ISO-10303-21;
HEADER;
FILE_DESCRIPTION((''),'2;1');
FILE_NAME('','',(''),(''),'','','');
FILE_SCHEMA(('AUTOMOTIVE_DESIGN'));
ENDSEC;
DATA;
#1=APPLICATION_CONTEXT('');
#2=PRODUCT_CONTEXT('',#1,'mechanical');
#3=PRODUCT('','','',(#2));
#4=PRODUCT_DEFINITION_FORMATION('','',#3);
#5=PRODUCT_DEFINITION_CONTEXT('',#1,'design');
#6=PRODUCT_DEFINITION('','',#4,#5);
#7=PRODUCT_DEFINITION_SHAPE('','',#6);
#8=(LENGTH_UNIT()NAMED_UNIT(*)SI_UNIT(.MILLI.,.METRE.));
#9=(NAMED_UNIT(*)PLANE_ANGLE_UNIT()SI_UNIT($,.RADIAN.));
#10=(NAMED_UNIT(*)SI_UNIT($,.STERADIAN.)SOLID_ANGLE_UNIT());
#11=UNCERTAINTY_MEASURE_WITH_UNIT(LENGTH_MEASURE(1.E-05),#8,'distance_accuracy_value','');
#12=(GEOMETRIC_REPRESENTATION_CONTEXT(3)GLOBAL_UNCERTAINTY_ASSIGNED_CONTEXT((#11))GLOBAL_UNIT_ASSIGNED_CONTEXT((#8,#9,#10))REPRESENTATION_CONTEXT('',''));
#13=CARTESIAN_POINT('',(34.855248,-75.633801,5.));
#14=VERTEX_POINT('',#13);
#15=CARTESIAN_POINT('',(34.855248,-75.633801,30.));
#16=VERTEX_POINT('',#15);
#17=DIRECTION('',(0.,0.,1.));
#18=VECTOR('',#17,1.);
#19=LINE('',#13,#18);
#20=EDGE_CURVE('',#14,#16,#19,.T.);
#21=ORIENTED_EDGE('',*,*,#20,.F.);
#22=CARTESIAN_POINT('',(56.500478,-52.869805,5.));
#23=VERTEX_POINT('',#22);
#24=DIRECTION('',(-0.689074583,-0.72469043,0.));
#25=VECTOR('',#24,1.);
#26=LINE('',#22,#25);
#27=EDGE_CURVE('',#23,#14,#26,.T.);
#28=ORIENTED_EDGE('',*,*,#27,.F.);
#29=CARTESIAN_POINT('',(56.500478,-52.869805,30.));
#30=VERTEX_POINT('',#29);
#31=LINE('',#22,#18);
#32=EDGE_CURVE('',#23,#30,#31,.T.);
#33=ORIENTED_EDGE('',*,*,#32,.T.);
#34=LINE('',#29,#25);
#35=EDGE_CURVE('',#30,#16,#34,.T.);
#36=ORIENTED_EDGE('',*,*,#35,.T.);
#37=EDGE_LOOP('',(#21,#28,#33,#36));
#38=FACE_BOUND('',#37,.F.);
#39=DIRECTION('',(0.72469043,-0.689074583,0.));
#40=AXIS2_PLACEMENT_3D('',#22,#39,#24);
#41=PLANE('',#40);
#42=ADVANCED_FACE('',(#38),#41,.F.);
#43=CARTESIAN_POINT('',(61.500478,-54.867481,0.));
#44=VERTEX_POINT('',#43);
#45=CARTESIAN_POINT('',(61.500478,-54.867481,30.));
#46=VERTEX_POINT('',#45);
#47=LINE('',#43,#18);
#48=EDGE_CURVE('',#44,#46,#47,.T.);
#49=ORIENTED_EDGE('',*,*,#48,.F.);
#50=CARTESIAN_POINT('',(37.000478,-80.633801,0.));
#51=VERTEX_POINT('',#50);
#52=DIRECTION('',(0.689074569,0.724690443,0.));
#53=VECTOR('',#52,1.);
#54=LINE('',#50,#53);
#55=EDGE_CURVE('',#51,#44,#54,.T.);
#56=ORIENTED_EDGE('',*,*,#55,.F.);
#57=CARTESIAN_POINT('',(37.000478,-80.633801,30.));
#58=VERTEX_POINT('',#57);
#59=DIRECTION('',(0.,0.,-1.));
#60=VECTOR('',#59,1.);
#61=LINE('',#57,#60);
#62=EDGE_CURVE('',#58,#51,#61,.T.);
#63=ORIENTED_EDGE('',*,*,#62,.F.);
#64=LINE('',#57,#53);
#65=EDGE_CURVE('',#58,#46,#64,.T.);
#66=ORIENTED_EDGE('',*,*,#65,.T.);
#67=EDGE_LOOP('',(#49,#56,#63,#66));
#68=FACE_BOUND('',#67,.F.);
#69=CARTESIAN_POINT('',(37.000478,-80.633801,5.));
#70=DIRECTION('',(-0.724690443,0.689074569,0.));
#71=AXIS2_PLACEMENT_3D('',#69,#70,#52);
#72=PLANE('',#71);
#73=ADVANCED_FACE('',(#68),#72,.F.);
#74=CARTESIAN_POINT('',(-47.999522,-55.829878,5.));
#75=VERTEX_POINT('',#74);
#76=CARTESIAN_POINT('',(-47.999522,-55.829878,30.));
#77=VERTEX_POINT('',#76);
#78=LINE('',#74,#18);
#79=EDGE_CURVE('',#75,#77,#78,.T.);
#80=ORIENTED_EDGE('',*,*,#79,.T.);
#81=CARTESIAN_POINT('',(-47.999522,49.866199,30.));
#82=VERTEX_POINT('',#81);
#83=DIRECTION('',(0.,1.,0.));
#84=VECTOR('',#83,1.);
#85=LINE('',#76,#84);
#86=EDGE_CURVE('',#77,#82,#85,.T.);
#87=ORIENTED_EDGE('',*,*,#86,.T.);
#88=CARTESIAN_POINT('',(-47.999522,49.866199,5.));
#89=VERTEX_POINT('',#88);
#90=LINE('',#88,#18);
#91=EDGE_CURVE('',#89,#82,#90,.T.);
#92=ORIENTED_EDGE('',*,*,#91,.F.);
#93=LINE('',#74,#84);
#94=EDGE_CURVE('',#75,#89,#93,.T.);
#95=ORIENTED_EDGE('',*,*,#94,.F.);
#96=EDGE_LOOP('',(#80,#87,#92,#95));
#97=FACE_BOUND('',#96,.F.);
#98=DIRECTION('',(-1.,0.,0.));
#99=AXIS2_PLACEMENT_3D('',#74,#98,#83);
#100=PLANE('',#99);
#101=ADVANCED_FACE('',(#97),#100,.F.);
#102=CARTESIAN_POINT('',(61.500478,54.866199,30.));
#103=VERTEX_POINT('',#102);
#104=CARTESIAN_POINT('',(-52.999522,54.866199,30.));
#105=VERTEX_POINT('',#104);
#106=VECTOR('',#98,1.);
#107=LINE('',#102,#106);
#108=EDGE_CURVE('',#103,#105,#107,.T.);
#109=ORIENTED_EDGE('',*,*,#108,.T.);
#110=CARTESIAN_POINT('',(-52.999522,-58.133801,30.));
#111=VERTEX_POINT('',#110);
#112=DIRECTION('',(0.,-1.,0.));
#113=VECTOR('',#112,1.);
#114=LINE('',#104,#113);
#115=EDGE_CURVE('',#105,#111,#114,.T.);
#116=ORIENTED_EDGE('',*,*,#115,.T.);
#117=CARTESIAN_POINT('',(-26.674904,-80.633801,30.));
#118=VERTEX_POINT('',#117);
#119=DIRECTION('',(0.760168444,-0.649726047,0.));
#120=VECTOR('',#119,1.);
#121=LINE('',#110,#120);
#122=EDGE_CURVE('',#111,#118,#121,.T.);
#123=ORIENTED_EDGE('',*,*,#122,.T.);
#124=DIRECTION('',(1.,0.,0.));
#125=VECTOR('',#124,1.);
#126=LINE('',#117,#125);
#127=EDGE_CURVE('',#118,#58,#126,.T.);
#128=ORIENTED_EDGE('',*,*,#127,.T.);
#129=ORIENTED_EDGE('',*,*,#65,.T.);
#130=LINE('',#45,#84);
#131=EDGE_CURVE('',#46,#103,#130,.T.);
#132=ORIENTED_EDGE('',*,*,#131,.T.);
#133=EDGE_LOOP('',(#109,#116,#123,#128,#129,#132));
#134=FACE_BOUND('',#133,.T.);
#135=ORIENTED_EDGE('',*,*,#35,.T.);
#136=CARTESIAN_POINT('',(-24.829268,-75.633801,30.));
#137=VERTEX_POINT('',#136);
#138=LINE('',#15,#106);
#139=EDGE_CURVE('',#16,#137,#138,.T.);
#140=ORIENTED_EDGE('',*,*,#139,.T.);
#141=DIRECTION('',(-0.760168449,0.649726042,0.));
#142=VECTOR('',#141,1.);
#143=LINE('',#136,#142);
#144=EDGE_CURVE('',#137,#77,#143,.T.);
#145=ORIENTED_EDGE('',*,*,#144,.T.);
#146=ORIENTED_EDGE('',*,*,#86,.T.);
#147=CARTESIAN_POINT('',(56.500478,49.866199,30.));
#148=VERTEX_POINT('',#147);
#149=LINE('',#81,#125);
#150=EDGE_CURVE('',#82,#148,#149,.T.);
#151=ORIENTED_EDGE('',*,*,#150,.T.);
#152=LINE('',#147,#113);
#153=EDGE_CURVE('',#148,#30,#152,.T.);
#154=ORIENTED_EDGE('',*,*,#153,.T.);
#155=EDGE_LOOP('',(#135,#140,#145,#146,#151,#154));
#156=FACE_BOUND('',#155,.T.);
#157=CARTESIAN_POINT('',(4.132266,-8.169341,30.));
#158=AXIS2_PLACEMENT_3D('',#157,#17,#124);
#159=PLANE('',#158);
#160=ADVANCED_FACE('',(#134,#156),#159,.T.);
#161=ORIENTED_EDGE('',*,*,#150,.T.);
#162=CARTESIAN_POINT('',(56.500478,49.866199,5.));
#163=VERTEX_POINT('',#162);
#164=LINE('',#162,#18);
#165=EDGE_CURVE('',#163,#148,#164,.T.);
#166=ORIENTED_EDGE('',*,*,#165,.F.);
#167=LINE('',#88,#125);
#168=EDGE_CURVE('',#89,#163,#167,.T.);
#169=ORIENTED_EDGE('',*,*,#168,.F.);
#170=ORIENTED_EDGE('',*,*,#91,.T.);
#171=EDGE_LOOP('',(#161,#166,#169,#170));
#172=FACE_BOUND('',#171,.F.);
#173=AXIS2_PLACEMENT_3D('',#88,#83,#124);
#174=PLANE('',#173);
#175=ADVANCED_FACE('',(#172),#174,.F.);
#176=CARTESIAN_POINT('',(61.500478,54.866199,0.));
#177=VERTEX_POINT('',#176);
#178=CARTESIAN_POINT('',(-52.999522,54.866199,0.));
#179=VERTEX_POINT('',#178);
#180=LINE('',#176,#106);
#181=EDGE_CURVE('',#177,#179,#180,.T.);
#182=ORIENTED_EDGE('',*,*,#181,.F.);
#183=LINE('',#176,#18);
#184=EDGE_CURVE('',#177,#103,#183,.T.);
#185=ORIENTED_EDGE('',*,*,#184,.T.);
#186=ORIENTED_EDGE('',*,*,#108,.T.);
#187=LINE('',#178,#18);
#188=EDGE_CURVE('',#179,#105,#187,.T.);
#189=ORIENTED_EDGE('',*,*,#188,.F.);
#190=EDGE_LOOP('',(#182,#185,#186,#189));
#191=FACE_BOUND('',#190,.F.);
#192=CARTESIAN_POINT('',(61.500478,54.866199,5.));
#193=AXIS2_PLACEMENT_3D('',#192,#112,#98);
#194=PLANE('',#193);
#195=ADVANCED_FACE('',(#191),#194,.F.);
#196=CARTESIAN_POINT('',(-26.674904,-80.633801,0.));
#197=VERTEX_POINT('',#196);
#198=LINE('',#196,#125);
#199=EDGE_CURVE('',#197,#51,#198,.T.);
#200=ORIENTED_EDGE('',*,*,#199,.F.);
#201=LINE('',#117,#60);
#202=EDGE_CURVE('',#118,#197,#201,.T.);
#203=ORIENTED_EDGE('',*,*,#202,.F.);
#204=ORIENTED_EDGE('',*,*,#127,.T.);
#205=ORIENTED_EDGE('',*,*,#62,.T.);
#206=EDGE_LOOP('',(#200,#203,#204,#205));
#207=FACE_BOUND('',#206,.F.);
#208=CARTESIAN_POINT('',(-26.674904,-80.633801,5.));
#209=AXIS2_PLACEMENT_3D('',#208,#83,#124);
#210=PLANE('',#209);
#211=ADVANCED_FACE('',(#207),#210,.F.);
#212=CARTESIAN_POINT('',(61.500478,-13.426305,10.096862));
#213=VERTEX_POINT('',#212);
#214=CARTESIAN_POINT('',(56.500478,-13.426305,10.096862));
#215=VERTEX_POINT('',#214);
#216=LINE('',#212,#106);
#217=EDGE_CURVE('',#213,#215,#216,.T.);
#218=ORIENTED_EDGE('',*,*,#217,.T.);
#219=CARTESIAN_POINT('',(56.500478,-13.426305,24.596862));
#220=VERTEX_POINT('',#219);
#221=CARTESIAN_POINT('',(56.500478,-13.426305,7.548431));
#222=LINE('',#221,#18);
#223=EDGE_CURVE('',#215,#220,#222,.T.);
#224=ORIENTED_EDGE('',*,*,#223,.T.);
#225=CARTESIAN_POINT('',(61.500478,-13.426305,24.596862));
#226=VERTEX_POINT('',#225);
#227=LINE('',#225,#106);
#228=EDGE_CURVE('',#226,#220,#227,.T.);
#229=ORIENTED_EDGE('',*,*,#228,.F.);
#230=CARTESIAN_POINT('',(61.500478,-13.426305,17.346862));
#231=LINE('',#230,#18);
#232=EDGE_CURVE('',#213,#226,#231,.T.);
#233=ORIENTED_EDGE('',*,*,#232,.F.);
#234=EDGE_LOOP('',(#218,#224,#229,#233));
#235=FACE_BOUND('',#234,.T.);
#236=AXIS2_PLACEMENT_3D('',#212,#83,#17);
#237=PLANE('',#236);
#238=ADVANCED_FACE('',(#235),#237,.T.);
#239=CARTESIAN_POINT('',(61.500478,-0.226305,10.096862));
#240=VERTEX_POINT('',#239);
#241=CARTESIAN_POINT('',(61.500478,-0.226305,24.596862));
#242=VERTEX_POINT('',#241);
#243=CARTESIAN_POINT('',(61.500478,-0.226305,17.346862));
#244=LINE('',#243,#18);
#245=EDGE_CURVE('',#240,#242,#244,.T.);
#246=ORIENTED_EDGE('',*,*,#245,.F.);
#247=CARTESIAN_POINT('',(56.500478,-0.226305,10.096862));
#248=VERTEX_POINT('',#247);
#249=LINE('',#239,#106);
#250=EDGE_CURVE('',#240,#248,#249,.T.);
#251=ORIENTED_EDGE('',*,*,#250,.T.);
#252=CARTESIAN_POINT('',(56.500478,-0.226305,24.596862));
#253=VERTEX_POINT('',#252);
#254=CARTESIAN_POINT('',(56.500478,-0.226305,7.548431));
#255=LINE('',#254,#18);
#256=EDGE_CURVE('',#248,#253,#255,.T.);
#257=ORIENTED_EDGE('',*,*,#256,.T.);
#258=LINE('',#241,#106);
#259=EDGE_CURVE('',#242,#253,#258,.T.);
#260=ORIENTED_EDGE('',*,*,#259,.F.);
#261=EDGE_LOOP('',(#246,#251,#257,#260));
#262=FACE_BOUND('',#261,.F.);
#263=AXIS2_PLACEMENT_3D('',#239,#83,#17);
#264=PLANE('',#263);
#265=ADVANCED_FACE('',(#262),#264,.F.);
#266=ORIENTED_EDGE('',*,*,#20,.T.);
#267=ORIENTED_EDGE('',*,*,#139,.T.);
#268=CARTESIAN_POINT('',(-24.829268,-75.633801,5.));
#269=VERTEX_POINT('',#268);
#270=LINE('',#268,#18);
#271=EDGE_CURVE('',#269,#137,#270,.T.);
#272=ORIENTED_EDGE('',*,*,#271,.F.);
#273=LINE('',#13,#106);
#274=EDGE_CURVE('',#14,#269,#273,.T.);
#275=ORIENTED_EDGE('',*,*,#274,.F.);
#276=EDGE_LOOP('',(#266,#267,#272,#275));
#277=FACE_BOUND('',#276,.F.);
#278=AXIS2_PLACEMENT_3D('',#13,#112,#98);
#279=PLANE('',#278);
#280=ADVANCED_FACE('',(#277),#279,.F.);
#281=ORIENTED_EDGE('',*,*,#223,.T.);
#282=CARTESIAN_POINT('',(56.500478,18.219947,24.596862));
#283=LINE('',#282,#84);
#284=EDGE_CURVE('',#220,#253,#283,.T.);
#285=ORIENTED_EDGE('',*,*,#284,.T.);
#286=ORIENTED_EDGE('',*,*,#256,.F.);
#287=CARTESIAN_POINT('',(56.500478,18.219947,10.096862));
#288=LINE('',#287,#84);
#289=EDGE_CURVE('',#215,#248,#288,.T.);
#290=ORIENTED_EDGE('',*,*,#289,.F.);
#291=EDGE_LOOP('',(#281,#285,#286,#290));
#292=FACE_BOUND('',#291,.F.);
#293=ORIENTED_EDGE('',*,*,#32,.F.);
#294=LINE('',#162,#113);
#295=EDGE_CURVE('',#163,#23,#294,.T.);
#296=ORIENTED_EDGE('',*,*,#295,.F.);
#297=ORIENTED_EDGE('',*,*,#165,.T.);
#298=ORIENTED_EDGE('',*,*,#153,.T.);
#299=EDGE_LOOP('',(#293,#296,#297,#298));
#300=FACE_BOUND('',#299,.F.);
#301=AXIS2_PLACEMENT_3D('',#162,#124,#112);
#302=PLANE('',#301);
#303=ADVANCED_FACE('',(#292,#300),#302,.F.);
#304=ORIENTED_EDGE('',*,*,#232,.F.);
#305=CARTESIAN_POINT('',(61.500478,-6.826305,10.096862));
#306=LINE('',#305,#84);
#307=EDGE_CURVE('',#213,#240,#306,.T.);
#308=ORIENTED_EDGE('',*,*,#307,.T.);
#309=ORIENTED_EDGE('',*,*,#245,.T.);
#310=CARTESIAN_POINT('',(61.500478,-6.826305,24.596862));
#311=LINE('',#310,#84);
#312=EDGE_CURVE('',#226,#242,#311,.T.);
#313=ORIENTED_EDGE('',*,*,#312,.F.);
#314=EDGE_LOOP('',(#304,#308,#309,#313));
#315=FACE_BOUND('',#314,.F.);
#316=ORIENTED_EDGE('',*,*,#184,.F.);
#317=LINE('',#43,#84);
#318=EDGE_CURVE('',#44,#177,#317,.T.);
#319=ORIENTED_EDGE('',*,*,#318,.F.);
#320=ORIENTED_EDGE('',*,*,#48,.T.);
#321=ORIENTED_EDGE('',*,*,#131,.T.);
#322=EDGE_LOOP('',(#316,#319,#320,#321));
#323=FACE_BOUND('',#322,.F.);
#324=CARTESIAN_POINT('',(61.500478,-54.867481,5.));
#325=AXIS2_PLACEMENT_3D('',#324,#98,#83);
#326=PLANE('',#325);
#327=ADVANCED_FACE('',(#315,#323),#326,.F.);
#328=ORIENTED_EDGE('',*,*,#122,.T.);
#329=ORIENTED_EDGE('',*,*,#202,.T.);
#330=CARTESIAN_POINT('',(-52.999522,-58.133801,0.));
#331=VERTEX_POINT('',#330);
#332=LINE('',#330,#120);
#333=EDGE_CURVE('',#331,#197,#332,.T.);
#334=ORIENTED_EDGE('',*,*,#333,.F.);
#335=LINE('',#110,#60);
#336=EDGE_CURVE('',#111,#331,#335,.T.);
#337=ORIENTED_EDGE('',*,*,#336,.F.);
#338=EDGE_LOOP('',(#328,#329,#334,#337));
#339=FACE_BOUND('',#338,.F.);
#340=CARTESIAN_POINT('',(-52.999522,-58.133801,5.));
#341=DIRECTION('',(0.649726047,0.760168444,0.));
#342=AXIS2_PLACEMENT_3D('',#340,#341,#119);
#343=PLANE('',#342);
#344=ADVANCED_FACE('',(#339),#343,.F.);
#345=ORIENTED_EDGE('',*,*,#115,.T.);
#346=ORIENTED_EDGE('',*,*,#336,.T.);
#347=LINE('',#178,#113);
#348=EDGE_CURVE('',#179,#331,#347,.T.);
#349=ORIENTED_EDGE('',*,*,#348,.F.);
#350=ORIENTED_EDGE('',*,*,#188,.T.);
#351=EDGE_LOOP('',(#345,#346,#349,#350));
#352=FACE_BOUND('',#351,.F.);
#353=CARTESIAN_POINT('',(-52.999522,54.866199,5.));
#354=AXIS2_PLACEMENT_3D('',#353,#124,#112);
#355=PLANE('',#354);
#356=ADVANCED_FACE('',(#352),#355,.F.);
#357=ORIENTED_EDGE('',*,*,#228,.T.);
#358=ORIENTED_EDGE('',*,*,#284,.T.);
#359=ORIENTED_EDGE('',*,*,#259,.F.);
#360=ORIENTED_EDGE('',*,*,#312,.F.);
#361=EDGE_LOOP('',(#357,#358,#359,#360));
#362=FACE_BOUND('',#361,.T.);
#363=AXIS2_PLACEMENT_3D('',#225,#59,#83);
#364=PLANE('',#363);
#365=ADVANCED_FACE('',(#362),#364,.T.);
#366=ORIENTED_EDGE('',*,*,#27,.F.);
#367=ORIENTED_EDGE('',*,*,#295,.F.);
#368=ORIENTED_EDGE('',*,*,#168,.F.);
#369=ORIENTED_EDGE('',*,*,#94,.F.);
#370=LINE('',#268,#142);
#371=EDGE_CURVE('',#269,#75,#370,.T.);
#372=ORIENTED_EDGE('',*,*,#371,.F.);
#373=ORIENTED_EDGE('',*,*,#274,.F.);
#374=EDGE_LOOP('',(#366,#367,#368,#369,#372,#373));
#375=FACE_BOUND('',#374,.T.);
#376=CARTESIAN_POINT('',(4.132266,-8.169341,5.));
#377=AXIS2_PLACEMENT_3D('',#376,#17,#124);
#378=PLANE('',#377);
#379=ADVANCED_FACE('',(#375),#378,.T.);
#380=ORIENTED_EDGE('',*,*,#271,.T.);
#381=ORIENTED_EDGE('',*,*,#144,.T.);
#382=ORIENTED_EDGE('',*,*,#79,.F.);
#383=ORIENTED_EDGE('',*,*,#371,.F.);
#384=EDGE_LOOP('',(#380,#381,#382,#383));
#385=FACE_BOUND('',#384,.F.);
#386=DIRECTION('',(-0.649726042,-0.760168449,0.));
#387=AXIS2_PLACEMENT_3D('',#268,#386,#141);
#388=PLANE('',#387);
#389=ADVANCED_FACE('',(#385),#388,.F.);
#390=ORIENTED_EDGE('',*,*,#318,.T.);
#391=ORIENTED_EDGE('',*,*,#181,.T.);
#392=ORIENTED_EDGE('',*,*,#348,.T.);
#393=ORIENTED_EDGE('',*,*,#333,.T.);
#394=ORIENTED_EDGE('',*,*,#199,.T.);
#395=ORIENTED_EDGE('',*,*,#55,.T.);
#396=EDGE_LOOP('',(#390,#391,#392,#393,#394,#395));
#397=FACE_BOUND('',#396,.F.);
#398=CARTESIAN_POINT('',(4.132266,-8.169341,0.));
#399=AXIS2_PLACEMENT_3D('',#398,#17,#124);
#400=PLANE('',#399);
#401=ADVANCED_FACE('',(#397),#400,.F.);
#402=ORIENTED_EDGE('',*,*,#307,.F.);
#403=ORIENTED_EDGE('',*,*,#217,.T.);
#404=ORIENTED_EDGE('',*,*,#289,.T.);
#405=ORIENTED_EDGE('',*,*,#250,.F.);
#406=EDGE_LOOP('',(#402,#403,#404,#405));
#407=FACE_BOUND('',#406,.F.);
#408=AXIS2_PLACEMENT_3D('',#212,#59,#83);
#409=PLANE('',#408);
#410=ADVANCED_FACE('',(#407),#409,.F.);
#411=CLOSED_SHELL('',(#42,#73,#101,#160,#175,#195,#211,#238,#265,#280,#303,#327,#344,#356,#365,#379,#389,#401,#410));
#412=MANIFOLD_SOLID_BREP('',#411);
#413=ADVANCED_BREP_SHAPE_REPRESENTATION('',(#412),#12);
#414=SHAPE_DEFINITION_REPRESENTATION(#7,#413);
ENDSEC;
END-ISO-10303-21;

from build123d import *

# Parameters (mm, degrees)
F1_DEPTH = 5
F3_DEPTH = 25
F5_W     = 13.2
F5_H     = 14.5
F6_DEPTH = 25


with BuildPart() as f1:
    # F0 (on Top) → F1 (new body)
    with BuildSketch(Plane.XY):
        Polygon((61.500478, 54.866199), (-52.999522, 54.866199), (-52.999522, -58.133801), (-26.674904, -80.633801), (37.000478, -80.633801), (61.500478, -54.867481), align=None)
    extrude(amount=F1_DEPTH)

    # F2 (on face) → F3 (join)
    with BuildSketch(Plane.XY.offset(5)):
        Polygon((37.000478, -80.633801), (61.500478, -54.867481), (61.500478, 54.866199), (-52.999522, 54.866199), (-52.999522, -58.133801), (-26.674904, -80.633801), align=None)
        Polygon((-47.999522, -55.829878), (-47.999522, 49.866199), (56.500478, 49.866199), (56.500478, -52.869805), (34.855248, -75.633801), (-24.829268, -75.633801), align=None, mode=Mode.SUBTRACT)
    extrude(amount=F3_DEPTH)

    # F5 (on face) → F6 (cut)
    with BuildSketch(Plane.YZ.offset(61.500478)):
        with Locations((-6.826305, 17.346862)):
            Rectangle(F5_W, F5_H)
    extrude(amount=-F6_DEPTH, mode=Mode.SUBTRACT)


solid = f1.part
